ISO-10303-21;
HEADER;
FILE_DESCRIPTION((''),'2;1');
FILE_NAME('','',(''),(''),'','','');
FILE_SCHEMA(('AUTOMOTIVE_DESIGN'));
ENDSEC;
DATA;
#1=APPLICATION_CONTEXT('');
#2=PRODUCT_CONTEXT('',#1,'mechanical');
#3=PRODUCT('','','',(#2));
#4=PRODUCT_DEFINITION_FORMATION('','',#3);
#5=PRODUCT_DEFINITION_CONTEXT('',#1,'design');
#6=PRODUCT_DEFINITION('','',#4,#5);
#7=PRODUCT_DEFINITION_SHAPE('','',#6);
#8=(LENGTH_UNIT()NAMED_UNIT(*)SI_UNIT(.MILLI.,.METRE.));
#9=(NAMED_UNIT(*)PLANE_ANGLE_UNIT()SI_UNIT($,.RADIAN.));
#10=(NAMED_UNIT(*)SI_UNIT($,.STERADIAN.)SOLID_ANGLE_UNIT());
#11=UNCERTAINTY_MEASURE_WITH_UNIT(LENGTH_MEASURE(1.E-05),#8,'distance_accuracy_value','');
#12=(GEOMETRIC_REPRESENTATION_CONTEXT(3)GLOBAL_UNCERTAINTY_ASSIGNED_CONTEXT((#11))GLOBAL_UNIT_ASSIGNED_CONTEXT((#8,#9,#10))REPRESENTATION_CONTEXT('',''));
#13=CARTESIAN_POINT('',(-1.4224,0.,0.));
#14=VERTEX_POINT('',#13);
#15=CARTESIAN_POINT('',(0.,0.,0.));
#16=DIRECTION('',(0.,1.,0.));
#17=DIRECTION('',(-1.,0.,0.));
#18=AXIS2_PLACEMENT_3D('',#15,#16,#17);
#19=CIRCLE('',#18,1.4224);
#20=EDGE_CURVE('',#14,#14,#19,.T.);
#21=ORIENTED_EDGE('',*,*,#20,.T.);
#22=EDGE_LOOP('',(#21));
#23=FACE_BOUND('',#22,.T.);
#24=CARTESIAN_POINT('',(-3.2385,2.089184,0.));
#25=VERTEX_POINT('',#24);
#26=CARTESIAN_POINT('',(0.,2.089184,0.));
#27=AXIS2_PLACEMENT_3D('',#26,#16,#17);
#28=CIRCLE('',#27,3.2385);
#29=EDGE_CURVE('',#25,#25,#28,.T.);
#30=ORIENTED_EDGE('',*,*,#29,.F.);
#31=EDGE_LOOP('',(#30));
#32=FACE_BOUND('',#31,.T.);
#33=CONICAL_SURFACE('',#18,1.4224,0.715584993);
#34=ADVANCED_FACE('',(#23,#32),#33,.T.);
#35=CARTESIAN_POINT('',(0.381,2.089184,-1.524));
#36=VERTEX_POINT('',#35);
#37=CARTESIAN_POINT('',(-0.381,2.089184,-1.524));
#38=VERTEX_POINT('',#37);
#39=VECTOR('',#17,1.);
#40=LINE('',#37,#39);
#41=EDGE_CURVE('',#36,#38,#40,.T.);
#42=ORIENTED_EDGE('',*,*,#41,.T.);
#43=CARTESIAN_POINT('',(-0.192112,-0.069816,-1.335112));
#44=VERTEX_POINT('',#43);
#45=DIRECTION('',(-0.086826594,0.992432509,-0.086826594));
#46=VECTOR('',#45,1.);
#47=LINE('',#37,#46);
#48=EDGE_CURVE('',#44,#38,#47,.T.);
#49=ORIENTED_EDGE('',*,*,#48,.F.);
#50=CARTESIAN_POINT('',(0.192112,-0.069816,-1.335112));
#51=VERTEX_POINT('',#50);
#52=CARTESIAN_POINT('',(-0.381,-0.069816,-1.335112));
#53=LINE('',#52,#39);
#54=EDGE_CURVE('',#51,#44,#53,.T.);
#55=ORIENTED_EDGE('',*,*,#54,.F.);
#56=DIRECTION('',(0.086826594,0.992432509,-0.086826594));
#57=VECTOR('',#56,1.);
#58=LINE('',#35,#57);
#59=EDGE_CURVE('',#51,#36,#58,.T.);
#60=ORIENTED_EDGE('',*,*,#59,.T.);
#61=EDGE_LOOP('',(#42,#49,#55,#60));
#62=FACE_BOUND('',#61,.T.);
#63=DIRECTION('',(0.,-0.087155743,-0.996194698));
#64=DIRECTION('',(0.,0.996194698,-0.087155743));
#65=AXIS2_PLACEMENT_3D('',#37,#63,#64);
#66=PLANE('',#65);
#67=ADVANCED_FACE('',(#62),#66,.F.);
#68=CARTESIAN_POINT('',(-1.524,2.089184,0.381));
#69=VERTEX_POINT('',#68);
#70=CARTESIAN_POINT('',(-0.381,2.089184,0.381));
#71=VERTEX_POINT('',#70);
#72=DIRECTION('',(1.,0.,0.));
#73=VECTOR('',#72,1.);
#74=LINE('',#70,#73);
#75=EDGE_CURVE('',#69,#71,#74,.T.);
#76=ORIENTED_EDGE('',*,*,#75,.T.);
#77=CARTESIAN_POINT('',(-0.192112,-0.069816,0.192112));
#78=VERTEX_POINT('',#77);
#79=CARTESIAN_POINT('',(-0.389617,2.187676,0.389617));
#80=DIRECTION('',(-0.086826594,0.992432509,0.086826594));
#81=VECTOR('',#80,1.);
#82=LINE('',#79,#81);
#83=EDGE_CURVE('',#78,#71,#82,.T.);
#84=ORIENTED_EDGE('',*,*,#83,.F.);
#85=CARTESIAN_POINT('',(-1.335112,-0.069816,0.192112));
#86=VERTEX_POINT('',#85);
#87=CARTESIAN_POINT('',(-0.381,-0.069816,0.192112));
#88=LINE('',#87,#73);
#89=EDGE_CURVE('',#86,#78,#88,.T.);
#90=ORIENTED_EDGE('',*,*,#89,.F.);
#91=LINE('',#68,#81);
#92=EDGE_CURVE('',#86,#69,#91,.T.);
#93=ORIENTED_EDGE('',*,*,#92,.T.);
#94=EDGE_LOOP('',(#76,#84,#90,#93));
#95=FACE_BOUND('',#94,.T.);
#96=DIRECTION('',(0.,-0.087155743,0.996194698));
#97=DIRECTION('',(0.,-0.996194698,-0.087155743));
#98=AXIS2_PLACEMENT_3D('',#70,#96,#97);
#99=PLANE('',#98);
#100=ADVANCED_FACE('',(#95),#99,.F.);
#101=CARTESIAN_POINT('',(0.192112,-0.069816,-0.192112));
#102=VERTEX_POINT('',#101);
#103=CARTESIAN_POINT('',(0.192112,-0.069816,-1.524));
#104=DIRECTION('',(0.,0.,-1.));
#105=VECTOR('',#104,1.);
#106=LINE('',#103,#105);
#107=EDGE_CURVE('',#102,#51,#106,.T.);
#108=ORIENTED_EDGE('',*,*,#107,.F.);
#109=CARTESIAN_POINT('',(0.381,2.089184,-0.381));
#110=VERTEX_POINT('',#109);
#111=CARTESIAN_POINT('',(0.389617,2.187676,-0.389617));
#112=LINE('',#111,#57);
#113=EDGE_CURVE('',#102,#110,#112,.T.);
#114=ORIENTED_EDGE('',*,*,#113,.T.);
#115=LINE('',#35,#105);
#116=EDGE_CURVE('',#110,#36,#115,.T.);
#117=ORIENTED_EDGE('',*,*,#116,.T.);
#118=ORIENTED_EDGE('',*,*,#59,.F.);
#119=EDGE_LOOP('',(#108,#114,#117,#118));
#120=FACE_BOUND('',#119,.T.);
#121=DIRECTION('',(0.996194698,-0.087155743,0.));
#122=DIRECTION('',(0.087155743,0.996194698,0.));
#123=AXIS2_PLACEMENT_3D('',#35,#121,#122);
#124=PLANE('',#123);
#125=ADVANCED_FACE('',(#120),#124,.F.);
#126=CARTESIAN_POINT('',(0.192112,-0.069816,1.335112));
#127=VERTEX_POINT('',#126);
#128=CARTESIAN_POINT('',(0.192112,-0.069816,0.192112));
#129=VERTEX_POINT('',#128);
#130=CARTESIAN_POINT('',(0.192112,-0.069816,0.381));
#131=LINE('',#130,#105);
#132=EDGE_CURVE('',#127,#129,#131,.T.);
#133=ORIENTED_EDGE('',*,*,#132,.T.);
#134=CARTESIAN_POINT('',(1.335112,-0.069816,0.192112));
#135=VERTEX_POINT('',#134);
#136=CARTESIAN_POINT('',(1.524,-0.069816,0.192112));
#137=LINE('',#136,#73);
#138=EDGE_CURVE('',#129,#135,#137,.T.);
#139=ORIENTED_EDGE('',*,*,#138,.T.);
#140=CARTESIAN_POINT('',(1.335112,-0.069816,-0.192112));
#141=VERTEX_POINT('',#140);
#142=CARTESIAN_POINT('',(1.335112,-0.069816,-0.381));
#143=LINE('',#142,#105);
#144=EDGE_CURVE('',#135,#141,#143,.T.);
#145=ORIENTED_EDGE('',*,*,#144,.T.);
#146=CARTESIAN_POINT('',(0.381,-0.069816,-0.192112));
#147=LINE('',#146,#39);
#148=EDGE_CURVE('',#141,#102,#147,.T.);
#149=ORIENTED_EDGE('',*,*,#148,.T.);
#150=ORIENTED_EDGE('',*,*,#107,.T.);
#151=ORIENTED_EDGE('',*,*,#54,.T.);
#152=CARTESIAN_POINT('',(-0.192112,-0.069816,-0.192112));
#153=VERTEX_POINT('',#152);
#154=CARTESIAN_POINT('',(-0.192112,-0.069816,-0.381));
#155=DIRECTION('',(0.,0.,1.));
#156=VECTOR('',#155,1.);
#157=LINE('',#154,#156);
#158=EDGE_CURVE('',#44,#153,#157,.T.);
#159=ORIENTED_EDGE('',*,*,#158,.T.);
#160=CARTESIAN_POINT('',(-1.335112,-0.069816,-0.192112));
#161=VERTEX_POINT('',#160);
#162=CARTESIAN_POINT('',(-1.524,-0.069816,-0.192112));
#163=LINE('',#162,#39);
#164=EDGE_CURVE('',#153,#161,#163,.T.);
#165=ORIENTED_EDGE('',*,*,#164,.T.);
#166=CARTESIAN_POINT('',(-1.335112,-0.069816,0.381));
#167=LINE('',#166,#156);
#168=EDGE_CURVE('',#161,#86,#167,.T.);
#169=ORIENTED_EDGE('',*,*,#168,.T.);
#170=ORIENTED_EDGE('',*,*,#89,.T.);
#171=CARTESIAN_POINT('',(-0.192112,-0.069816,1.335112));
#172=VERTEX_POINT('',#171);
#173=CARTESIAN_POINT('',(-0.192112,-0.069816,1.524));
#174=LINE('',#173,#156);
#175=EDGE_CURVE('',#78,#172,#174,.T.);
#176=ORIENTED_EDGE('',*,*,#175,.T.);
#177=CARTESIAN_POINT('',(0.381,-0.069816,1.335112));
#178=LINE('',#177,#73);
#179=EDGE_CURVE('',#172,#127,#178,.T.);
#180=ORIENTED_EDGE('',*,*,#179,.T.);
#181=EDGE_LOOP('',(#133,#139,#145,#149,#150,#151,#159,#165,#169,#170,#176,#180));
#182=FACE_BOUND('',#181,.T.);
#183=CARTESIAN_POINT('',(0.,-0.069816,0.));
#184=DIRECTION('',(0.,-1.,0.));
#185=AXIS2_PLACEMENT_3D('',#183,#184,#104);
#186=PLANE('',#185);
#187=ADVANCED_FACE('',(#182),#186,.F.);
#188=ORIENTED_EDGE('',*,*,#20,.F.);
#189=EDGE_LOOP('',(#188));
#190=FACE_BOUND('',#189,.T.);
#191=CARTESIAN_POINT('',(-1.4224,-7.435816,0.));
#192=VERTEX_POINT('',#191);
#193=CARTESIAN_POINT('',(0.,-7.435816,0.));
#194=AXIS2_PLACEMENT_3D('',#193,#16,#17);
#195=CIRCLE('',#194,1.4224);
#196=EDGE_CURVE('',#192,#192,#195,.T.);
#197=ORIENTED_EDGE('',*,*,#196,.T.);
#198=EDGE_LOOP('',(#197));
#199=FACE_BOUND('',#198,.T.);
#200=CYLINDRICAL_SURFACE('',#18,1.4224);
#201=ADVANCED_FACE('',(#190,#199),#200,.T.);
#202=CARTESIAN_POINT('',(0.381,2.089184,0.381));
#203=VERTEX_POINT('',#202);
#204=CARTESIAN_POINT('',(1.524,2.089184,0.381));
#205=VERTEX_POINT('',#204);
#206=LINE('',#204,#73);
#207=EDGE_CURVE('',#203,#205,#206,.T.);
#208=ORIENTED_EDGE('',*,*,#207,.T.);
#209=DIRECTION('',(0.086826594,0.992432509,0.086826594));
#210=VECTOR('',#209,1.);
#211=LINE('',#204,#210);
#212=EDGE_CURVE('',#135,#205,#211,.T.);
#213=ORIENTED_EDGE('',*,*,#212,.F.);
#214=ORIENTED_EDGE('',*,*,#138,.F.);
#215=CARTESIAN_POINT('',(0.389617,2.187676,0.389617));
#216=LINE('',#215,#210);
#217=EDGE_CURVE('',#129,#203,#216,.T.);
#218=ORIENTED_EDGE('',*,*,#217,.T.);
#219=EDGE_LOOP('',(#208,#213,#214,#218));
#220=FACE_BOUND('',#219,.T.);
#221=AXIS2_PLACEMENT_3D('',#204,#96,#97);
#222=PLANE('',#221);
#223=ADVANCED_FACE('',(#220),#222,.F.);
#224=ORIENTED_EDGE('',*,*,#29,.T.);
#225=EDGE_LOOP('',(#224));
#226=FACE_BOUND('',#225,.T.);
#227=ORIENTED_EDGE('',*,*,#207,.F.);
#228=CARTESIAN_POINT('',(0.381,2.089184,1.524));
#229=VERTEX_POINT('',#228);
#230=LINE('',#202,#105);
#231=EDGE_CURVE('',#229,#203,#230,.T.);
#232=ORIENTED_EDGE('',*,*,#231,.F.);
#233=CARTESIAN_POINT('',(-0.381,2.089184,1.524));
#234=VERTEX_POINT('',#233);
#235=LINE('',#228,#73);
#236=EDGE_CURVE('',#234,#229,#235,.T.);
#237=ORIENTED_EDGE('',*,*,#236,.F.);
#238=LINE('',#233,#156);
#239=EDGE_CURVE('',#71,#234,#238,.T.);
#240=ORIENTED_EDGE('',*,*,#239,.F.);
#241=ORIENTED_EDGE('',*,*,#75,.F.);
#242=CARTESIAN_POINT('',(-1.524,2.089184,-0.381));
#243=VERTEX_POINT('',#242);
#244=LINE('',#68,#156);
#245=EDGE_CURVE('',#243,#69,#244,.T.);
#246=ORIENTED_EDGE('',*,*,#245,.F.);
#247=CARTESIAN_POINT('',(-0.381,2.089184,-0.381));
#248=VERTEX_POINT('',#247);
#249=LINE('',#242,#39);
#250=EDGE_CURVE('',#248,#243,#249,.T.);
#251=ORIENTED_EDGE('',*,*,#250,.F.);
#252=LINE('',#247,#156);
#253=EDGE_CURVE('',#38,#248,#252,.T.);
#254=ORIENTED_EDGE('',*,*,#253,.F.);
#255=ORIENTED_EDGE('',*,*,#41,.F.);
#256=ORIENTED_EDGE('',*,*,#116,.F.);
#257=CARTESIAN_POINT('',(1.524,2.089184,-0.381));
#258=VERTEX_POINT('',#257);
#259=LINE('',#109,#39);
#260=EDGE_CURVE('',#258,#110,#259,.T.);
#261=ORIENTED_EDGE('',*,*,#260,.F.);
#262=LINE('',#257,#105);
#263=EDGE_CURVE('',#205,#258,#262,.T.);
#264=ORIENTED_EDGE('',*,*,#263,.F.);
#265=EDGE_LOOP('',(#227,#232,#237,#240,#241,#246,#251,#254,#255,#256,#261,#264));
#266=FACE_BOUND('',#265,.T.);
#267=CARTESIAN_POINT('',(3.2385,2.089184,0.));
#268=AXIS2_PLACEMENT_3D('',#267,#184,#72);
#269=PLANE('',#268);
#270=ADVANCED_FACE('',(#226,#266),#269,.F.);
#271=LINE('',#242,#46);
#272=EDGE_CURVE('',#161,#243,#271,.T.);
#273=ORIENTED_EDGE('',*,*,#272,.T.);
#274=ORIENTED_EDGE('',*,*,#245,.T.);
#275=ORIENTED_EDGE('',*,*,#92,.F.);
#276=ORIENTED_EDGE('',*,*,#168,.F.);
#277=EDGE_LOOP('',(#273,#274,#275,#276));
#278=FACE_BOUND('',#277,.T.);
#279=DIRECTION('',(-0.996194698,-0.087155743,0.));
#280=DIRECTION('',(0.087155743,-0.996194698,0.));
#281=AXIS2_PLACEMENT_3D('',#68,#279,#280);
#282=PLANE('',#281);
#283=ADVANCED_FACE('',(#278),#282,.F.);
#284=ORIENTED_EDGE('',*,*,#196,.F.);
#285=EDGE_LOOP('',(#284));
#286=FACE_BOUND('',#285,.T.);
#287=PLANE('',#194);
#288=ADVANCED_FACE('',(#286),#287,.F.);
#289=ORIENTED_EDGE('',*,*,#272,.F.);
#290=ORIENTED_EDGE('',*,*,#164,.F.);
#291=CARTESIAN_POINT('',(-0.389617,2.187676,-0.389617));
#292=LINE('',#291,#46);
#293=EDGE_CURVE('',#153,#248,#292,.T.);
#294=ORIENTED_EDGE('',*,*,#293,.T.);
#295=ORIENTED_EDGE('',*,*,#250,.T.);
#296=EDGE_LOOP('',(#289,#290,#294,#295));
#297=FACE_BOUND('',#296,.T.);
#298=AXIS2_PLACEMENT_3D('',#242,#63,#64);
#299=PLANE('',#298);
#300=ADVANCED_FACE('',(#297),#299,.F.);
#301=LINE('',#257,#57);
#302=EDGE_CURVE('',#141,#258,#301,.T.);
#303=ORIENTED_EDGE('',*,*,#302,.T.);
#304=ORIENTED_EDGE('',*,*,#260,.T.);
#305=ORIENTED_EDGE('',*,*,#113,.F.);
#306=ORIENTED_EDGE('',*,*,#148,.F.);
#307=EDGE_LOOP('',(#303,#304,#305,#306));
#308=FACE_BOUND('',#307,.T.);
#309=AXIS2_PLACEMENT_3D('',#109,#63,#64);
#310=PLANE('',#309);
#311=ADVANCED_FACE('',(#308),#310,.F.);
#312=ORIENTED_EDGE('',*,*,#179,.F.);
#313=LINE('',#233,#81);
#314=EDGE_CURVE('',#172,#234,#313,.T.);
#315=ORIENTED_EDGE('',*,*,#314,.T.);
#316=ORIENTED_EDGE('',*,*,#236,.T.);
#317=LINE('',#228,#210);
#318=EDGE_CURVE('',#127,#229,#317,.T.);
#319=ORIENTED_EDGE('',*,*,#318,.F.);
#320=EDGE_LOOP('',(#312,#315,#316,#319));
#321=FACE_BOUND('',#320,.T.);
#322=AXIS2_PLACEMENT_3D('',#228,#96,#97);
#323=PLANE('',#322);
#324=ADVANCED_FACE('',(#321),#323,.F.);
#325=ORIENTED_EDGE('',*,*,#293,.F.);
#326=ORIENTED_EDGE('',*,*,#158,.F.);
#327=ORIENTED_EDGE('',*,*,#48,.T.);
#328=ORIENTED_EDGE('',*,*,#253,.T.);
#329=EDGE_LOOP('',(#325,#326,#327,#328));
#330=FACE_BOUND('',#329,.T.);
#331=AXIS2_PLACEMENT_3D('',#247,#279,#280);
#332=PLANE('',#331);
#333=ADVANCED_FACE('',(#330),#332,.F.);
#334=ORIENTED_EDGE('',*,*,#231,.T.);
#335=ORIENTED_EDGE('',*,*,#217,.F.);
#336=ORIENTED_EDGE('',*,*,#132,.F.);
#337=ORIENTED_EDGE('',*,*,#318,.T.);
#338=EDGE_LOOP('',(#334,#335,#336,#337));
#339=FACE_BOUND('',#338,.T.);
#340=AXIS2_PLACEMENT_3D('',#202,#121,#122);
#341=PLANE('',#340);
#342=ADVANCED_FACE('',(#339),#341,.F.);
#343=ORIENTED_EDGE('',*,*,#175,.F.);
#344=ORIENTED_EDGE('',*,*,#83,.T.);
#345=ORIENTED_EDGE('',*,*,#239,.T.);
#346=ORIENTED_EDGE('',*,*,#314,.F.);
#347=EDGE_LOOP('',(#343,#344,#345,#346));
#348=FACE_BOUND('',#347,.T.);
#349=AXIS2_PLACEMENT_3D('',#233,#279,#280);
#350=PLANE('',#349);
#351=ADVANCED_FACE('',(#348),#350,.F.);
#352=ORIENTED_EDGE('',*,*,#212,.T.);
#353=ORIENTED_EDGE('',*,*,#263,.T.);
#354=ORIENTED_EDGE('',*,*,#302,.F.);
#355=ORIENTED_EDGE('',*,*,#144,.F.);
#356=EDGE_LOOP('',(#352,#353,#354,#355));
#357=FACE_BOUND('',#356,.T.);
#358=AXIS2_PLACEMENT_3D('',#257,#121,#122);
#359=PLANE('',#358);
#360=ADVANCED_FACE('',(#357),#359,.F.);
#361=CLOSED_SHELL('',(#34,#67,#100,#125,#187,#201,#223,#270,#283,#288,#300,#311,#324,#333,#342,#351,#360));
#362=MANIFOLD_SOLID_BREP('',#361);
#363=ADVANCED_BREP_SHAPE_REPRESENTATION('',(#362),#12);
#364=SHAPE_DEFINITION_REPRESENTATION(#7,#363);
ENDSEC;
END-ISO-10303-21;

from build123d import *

# Parameters (mm, degrees)
CUT_EXTRUDE1_DEPTH = 2.159
CUT_EXTRUDE1_DRAFT = -5


with BuildPart() as part:
    # Sketch1 → Revolve1 (revolve)
    with BuildSketch(Plane.XY, mode=Mode.PRIVATE) as revolve1_sk:
        Polygon((1.4224, 0), (3.2385, 2.089184064), (0, 2.089184064), (0, 0), (0, -7.435815936), (1.4224, -7.435815936), align=None)
    revolve(revolve1_sk.sketch.rotate(Axis((0, 0, 0), (0, -1, 0)), 180), axis=Axis((0, 0, 0), (0, -1, 0)))


with BuildPart() as cut_extrude1_tool:
    # Sketch2 → Cut-Extrude1 (with draft: the straight prism first)
    with BuildSketch(Plane(origin=(0, 2.089184064, 0), x_dir=(1, 0, 0), z_dir=(0, 1, 0))):
        Polygon((-0.381, 1.524), (-0.381, 0.381), (-1.524, 0.381), (-1.524, -0.381), (-0.381, -0.381), (-0.381, -1.524), (0.381, -1.524), (0.381, -0.381), (1.524, -0.381), (1.524, 0.381), (0.381, 0.381), (0.381, 1.524), align=None)
    extrude(amount=-CUT_EXTRUDE1_DEPTH)
    # Cut-Extrude1: the draft: its side faces are tilted about the plane it starts from
    cut_extrude1_sides = [cut_extrude1_tool.faces().sort_by_distance(p)[0] for p in [
        (-0.381, 1.009684064, -0.9525),
        (-0.9525, 1.009684064, -0.381),
        (-1.524, 1.009684064, 0),
        (-0.9525, 1.009684064, 0.381),
        (-0.381, 1.009684064, 0.9525),
        (0, 1.009684064, 1.524),
        (0.381, 1.009684064, 0.9525),
        (0.9525, 1.009684064, 0.381),
        (1.524, 1.009684064, 0),
        (0.9525, 1.009684064, -0.381),
        (0.381, 1.009684064, -0.9525),
        (0, 1.009684064, -1.524),
    ]]
    draft(cut_extrude1_sides, Plane(origin=(0, 2.089184064, 0), x_dir=(1, 0, 0), z_dir=(0, 1, 0)), CUT_EXTRUDE1_DRAFT)


with BuildPart() as part_1:
    add(part.part)

    # Cut-Extrude1: cut by cut_extrude1_tool
    add(cut_extrude1_tool.part, mode=Mode.SUBTRACT)


solid = part_1.part
